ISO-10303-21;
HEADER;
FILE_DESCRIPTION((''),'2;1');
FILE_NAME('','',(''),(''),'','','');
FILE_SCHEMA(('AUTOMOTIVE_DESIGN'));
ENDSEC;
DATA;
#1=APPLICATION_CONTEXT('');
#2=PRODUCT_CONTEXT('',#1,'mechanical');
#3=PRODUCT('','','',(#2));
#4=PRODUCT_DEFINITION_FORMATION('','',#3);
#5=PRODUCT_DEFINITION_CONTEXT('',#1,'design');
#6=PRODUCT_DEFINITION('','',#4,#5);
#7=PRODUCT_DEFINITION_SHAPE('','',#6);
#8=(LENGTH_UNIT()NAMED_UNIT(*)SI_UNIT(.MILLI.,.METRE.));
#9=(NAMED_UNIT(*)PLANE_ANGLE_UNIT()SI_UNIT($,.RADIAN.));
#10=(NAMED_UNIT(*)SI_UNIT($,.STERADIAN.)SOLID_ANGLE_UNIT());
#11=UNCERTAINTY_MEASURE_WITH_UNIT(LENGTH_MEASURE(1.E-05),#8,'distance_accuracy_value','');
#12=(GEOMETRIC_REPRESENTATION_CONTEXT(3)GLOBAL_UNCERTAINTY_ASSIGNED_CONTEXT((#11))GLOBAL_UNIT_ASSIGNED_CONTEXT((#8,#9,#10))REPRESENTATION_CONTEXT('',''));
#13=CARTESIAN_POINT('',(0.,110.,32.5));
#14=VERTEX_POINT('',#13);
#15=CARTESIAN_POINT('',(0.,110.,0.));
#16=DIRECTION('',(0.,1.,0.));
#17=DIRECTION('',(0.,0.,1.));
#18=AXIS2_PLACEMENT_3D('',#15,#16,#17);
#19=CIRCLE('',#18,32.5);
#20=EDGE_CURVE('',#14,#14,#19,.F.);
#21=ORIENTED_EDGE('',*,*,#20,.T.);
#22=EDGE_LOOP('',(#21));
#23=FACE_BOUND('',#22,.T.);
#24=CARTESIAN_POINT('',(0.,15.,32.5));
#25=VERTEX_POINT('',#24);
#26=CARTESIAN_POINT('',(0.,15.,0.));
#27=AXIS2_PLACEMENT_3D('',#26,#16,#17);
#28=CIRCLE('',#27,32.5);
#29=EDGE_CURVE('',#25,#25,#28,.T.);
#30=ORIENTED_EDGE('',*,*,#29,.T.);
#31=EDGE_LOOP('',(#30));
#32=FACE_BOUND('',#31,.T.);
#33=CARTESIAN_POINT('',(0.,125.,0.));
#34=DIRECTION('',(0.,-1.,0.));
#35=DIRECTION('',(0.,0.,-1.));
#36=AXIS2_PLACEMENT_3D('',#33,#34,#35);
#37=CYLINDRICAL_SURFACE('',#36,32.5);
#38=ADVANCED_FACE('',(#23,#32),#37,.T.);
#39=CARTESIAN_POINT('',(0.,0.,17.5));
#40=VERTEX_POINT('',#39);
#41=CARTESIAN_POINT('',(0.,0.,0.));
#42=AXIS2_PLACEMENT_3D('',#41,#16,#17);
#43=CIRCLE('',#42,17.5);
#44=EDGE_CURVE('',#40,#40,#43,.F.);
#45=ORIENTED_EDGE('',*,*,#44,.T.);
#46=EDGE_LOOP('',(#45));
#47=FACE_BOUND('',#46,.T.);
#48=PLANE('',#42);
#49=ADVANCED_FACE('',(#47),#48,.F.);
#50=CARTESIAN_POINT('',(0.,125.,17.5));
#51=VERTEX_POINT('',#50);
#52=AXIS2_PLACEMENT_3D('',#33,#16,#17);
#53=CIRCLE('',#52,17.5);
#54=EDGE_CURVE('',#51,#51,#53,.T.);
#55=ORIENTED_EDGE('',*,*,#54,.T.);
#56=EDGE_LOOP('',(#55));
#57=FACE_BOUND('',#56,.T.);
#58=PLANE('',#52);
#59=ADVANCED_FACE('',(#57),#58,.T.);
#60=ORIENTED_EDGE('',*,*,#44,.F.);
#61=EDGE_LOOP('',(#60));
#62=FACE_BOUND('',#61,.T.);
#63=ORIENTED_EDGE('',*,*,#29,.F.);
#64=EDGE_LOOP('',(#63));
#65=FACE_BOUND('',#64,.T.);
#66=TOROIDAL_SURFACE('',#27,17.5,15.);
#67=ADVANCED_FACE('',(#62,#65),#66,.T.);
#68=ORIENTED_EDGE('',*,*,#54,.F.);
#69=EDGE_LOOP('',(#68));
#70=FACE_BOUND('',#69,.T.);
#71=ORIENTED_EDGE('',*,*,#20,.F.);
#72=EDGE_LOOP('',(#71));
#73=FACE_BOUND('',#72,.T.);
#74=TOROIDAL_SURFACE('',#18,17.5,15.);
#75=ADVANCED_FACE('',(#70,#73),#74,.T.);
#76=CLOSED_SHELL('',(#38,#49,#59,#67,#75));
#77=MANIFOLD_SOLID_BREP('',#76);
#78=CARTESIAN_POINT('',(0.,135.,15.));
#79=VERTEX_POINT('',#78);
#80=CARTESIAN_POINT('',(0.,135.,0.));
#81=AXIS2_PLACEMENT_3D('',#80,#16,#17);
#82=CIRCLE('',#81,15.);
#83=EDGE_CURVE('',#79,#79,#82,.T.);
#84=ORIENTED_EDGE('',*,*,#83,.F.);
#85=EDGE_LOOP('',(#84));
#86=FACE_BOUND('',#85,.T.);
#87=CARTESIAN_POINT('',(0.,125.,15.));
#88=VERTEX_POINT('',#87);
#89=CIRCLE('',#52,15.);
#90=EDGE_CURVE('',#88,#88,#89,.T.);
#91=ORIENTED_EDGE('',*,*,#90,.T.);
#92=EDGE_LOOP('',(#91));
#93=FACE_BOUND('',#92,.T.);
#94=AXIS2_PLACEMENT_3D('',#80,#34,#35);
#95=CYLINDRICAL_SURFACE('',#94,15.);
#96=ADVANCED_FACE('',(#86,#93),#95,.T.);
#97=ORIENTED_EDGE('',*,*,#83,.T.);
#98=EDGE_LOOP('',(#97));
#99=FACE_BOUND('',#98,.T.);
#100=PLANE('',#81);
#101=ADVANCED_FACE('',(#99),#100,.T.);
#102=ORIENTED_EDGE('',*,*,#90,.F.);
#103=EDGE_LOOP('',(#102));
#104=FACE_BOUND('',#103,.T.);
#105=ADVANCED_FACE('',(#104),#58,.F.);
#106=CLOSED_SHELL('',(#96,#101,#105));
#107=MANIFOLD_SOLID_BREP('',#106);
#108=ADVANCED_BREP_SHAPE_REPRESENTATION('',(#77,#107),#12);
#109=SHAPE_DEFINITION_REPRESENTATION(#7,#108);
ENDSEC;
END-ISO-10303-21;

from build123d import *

# Parameters (mm, degrees)
SKETCH1_R           = 32.5
BOSS_EXTRUDE1_DEPTH = 125
FILLET1_R           = 15
SKETCH2_R           = 15
BOSS_EXTRUDE2_DEPTH = 10


with BuildPart() as part:
    # Sketch1 → Boss-Extrude1 (new body)
    with BuildSketch(Plane(origin=(0, 0, 0), x_dir=(1, 0, 0), z_dir=(0, 1, 0))):
        with Locations(Location((0, 0, 0), (0, 0, 270))):
            Circle(SKETCH1_R)
    extrude(amount=BOSS_EXTRUDE1_DEPTH)

    # Fillet1
    fillet1_edges = [part.edges().sort_by_distance(p)[0] for p in [
        (0, 0, -32.5),
        (0, 125, -32.5),
    ]]
    fillet(fillet1_edges, radius=FILLET1_R)


with BuildPart() as body_2:
    # Sketch2 → Boss-Extrude2 (new body)
    with BuildSketch(Plane(origin=(0, 125, 0), x_dir=(1, 0, 0), z_dir=(0, 1, 0))):
        with Locations(Location((0, 0, 0), (0, 0, 270))):
            Circle(SKETCH2_R)
    extrude(amount=BOSS_EXTRUDE2_DEPTH)


solid = Compound([part.part, body_2.part])
